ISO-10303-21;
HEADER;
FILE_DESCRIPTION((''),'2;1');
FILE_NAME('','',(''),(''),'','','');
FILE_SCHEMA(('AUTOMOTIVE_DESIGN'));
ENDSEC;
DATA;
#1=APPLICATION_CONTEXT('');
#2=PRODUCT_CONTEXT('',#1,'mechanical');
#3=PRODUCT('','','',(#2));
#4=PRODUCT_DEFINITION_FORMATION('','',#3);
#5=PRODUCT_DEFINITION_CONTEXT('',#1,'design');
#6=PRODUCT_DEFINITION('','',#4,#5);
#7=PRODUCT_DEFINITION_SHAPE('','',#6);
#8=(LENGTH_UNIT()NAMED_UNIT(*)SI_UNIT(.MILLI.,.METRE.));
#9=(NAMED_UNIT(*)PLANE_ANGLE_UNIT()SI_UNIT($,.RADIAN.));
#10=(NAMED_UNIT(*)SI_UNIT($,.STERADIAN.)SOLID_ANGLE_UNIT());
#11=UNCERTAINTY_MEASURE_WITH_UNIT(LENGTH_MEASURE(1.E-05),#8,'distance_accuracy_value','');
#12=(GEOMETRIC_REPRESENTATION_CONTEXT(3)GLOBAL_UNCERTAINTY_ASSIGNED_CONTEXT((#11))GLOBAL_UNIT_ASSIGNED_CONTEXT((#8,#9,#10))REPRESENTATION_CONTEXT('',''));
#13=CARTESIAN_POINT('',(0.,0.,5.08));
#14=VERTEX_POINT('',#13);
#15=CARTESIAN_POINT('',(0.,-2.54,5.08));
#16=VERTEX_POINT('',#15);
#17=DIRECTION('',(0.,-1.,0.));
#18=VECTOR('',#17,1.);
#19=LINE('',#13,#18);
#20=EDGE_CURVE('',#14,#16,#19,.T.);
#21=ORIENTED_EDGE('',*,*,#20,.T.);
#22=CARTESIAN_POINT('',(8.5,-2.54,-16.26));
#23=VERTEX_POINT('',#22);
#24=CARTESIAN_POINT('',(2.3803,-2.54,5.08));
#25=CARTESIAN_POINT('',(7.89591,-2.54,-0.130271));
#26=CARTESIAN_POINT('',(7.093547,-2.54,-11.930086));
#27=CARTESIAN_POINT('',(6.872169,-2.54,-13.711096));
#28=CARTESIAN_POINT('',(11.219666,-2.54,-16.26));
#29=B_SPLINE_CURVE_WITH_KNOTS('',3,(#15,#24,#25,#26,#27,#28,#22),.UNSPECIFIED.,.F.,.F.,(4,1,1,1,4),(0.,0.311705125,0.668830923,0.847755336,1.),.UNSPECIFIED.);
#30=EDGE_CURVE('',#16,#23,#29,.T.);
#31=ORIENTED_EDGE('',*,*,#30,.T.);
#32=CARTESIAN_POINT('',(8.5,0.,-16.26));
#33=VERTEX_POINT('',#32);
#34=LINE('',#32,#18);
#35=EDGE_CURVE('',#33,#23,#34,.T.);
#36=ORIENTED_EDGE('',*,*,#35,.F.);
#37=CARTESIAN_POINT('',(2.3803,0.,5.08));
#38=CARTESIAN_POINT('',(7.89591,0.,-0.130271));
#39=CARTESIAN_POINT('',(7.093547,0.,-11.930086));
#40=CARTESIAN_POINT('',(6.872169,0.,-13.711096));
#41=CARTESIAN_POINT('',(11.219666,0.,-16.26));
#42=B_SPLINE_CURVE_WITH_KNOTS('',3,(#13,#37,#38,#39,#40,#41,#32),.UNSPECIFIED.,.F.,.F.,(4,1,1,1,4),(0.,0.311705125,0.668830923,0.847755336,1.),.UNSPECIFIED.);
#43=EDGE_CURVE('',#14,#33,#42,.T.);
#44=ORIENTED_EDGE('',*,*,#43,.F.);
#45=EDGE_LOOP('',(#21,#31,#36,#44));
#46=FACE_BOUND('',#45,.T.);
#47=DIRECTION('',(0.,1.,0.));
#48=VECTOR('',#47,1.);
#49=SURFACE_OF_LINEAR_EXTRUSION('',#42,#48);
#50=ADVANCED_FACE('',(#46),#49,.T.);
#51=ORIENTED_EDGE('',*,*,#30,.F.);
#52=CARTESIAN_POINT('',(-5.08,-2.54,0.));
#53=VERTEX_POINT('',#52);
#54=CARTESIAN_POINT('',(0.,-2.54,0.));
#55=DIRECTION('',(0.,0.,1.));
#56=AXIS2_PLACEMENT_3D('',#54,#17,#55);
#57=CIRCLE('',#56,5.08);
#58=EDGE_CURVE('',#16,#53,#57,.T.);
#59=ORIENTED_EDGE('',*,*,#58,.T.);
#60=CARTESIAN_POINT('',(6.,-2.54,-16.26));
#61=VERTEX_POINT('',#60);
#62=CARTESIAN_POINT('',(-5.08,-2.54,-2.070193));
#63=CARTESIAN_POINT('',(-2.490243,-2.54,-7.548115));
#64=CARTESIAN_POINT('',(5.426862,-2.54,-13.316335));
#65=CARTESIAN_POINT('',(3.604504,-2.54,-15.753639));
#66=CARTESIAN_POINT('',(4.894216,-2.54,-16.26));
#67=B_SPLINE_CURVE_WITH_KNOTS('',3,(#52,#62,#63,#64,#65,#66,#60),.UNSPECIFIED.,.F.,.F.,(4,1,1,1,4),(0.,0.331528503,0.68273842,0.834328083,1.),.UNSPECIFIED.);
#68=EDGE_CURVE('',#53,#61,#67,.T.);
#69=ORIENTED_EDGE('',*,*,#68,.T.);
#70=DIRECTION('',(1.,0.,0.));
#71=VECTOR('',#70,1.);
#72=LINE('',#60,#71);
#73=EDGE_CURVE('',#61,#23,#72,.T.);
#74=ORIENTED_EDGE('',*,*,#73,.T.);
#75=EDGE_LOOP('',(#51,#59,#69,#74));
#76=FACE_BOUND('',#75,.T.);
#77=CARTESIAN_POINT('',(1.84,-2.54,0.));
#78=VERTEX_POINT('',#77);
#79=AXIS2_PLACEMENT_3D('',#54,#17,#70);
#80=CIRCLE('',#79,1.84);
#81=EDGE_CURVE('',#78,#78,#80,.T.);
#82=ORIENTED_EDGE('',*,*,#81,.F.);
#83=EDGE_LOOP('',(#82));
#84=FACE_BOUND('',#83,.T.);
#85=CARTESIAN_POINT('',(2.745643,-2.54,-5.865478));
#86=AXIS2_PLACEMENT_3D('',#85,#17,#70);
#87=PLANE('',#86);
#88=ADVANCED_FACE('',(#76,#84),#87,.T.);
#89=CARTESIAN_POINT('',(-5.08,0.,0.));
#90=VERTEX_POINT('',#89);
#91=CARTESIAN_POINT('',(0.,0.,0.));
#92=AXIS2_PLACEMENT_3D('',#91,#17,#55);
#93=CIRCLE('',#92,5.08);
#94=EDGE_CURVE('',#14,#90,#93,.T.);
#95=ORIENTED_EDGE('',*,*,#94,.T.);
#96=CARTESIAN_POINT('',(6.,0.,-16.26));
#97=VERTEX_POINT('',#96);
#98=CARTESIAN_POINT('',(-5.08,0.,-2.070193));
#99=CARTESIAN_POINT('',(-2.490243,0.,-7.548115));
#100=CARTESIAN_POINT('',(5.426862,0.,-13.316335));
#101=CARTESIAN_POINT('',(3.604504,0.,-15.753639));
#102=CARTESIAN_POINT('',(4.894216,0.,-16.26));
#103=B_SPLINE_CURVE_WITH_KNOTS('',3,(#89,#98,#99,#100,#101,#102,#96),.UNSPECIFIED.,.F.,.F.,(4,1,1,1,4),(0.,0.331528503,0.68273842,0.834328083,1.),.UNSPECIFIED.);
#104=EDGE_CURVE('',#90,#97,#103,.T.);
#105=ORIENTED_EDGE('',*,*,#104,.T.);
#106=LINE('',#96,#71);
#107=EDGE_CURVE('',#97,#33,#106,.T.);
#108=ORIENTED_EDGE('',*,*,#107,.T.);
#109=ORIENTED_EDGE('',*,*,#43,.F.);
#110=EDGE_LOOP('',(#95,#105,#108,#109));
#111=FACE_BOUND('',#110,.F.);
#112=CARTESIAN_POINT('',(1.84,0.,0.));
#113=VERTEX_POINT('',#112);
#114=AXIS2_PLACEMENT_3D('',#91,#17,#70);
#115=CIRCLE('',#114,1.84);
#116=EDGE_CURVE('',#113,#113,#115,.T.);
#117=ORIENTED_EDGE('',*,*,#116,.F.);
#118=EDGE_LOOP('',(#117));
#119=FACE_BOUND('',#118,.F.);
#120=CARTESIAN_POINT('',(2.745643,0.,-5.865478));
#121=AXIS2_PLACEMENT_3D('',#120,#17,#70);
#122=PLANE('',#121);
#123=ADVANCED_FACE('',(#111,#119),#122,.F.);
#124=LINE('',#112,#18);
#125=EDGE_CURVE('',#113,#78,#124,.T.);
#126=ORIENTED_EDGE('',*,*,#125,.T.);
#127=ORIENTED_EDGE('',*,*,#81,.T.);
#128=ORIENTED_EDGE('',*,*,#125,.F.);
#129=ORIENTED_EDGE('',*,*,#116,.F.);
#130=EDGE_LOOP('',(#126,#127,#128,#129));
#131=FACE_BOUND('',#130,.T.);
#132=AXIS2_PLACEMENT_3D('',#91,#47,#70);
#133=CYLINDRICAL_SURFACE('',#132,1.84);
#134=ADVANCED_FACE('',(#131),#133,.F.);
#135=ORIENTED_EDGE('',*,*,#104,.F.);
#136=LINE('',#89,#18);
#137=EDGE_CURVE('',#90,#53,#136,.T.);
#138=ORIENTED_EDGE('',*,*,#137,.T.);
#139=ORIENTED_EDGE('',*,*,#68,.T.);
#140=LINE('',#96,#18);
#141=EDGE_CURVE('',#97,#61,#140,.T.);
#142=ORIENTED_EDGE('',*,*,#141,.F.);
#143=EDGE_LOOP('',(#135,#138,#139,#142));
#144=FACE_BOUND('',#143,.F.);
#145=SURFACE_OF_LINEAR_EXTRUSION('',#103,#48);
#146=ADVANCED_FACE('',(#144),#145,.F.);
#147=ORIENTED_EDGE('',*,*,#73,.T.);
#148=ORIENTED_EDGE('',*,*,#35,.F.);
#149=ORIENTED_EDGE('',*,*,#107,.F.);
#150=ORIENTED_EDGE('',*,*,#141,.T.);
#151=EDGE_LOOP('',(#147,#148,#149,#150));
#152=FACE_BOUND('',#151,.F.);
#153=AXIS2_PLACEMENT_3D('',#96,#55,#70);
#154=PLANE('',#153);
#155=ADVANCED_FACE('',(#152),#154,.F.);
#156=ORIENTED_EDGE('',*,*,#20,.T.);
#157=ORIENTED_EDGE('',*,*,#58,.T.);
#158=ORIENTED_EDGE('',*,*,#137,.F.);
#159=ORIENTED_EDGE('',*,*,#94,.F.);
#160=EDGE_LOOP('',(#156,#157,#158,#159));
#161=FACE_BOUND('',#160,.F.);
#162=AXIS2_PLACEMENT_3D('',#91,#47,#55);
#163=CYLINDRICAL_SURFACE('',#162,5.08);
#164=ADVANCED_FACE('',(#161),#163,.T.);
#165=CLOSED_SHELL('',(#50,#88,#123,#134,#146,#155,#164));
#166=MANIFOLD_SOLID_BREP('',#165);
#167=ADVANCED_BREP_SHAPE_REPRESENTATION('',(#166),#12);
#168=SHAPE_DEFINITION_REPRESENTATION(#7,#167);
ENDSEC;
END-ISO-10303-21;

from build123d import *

# Parameters (mm, degrees)
F0_R     = 1.84
F1_DEPTH = 2.54


with BuildPart() as f1:
    # F0 (on Front) → F1 (new body)
    with BuildSketch(Plane.XZ):
        with BuildLine():
            add(Edge.make_bspline(
                [(-5.08, 0), (-5.08, -2.0701933077), (-2.4902425216, -7.5481152127), (5.4268623061, -13.3163347102), (3.6045037818, -15.7536391701), (4.8942161332, -16.26), (6, -16.26)],
                knots=[0, 0, 0, 0, 0.3315285028, 0.6827384204, 0.8343280831, 1, 1, 1, 1], degree=3))
            Line((6, -16.26), (8.5, -16.26))
            add(Edge.make_bspline(
                [(0, 5.08), (2.3803001598, 5.08), (7.8959100404, -0.1302706377), (7.0935467225, -11.9300862484), (6.8721692717, -13.7110957038), (11.2196656871, -16.26), (8.5, -16.26)],
                knots=[0, 0, 0, 0, 0.3117051252, 0.6688309235, 0.847755336, 1, 1, 1, 1], degree=3))
            ThreePointArc((0, 5.08), (-3.5921024484, 3.5921024484), (-5.08, 0))
        make_face()
        Circle(F0_R, mode=Mode.SUBTRACT)
    extrude(amount=F1_DEPTH)


solid = f1.part
